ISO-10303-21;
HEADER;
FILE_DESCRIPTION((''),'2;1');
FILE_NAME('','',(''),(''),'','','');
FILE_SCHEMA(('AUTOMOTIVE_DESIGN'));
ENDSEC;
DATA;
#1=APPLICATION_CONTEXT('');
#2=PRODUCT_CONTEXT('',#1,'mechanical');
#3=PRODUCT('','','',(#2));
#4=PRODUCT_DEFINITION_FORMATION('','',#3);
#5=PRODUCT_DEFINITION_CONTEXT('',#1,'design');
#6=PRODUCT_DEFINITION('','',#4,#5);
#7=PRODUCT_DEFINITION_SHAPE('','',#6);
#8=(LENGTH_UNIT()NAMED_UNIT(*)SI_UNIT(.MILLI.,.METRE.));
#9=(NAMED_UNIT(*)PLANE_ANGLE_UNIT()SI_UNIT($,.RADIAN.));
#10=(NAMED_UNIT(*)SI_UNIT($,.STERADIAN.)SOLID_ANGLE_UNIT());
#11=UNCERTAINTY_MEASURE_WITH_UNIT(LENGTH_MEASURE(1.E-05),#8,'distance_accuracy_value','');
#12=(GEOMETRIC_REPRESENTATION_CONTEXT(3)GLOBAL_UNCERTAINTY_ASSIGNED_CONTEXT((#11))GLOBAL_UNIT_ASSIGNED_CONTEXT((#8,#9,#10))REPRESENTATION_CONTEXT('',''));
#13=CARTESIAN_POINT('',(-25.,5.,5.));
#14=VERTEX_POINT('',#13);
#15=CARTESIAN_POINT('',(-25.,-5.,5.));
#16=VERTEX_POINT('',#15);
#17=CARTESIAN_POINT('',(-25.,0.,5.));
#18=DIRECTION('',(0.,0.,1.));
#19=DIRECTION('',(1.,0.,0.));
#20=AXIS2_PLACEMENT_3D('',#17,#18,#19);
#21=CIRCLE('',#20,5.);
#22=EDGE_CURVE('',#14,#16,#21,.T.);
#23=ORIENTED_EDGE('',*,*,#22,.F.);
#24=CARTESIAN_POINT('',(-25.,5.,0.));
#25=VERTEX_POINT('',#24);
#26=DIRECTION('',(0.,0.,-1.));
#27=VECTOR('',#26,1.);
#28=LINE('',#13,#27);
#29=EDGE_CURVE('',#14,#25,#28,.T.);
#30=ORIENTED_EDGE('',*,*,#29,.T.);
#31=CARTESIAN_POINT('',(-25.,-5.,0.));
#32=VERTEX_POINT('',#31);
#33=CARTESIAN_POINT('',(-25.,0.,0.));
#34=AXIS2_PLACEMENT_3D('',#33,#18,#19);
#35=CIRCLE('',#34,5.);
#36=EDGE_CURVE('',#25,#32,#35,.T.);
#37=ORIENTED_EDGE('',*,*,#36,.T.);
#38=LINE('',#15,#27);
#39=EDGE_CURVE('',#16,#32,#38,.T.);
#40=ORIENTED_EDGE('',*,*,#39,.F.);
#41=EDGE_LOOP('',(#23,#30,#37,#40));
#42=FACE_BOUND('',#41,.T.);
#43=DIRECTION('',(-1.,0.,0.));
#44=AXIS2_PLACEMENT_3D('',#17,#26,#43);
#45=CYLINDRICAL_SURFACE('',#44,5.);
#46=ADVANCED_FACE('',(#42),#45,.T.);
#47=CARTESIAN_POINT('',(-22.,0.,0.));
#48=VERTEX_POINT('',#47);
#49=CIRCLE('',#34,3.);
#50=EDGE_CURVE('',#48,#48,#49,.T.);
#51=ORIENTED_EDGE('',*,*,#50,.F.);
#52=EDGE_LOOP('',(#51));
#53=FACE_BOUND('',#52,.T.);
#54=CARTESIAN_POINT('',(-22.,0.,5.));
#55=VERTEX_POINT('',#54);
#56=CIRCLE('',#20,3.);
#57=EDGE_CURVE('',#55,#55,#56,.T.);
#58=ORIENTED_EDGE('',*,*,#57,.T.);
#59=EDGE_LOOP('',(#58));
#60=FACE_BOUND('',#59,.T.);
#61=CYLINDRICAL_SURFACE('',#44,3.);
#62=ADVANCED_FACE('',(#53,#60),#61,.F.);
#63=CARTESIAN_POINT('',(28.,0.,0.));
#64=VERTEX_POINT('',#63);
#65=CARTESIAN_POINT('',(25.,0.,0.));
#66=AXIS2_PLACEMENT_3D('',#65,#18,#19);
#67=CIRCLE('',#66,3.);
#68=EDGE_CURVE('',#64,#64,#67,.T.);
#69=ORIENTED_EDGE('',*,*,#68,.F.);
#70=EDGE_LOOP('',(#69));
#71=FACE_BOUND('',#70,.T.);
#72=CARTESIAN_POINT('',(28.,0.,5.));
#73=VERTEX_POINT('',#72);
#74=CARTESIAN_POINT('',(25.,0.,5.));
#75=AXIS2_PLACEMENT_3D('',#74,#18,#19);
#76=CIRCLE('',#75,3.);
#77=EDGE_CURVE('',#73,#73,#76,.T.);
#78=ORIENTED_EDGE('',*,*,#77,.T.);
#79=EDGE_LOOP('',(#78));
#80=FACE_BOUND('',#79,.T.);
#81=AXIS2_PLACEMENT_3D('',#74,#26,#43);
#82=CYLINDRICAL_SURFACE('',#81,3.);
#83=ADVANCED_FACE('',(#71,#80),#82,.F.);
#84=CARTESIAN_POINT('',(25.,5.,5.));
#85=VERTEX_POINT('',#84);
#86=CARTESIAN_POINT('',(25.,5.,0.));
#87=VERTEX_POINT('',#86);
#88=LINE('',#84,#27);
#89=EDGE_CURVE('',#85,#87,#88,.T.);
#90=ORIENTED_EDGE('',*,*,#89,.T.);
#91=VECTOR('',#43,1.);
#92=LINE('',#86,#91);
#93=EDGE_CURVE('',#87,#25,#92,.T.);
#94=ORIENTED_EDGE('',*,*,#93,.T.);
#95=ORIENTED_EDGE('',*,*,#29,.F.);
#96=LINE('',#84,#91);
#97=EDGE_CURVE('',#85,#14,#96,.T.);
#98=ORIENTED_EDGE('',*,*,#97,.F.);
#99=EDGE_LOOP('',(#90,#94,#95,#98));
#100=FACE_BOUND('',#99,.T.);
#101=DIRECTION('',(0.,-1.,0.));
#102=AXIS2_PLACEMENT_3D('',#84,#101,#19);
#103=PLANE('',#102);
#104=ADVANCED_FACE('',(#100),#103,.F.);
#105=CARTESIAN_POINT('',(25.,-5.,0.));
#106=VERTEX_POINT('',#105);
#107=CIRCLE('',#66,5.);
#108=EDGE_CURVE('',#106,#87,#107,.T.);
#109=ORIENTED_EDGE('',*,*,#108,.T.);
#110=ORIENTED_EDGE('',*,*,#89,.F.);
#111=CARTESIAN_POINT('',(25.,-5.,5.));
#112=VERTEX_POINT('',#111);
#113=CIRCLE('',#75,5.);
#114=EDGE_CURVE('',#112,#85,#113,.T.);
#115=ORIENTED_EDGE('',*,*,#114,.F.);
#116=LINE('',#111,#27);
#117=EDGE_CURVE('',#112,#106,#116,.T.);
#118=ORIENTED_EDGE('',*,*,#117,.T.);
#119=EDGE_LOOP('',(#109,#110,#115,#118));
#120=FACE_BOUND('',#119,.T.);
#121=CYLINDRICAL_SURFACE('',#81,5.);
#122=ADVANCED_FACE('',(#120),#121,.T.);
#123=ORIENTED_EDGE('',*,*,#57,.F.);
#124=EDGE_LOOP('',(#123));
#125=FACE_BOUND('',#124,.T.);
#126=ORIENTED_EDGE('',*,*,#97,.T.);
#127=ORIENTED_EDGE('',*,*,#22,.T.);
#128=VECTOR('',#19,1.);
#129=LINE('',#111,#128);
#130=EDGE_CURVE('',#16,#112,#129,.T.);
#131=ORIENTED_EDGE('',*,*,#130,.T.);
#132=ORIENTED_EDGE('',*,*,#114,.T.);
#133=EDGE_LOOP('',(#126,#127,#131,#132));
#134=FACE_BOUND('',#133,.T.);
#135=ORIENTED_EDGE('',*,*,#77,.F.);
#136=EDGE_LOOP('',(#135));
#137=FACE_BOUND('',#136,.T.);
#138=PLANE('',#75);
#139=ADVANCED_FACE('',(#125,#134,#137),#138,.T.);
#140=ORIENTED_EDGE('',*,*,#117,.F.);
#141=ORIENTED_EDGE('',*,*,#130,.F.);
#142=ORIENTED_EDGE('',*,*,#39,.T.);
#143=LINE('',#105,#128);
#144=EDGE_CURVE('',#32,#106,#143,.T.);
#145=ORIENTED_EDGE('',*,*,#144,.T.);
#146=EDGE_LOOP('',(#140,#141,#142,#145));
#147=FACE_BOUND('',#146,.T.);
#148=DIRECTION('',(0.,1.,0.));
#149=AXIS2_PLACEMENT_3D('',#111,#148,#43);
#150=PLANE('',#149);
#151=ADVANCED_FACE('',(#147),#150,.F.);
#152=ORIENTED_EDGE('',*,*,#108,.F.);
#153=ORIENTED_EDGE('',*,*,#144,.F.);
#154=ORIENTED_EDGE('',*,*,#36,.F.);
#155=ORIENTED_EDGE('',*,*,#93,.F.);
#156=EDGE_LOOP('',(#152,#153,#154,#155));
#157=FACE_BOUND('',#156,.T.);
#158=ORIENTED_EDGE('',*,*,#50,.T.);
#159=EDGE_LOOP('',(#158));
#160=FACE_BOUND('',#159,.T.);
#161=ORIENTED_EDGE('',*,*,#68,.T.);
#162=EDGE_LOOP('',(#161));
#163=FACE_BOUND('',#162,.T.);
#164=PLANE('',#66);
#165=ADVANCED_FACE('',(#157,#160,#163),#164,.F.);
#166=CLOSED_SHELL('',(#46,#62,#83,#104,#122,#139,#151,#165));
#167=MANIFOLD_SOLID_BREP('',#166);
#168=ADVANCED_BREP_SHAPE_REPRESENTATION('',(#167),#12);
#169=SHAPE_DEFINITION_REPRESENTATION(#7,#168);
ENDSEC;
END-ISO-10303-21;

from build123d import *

# Parameters (mm, degrees)
SKETCH1_R           = 3
BOSS_EXTRUDE1_DEPTH = 5


with BuildPart() as part:
    # Sketch1 → Boss-Extrude1 (new body)
    with BuildSketch(Plane.XY):
        with BuildLine():
            Line((25, -5), (-25, -5))
            ThreePointArc((-25, -5), (-30, 0), (-25, 5))
            Line((-25, 5), (25, 5))
            ThreePointArc((25, 5), (30, 0), (25, -5))
        make_face()
        with Locations((-25, 0)):
            Circle(SKETCH1_R, mode=Mode.SUBTRACT)
        with Locations((25, 0)):
            Circle(SKETCH1_R, mode=Mode.SUBTRACT)
    extrude(amount=BOSS_EXTRUDE1_DEPTH)


solid = part.part
